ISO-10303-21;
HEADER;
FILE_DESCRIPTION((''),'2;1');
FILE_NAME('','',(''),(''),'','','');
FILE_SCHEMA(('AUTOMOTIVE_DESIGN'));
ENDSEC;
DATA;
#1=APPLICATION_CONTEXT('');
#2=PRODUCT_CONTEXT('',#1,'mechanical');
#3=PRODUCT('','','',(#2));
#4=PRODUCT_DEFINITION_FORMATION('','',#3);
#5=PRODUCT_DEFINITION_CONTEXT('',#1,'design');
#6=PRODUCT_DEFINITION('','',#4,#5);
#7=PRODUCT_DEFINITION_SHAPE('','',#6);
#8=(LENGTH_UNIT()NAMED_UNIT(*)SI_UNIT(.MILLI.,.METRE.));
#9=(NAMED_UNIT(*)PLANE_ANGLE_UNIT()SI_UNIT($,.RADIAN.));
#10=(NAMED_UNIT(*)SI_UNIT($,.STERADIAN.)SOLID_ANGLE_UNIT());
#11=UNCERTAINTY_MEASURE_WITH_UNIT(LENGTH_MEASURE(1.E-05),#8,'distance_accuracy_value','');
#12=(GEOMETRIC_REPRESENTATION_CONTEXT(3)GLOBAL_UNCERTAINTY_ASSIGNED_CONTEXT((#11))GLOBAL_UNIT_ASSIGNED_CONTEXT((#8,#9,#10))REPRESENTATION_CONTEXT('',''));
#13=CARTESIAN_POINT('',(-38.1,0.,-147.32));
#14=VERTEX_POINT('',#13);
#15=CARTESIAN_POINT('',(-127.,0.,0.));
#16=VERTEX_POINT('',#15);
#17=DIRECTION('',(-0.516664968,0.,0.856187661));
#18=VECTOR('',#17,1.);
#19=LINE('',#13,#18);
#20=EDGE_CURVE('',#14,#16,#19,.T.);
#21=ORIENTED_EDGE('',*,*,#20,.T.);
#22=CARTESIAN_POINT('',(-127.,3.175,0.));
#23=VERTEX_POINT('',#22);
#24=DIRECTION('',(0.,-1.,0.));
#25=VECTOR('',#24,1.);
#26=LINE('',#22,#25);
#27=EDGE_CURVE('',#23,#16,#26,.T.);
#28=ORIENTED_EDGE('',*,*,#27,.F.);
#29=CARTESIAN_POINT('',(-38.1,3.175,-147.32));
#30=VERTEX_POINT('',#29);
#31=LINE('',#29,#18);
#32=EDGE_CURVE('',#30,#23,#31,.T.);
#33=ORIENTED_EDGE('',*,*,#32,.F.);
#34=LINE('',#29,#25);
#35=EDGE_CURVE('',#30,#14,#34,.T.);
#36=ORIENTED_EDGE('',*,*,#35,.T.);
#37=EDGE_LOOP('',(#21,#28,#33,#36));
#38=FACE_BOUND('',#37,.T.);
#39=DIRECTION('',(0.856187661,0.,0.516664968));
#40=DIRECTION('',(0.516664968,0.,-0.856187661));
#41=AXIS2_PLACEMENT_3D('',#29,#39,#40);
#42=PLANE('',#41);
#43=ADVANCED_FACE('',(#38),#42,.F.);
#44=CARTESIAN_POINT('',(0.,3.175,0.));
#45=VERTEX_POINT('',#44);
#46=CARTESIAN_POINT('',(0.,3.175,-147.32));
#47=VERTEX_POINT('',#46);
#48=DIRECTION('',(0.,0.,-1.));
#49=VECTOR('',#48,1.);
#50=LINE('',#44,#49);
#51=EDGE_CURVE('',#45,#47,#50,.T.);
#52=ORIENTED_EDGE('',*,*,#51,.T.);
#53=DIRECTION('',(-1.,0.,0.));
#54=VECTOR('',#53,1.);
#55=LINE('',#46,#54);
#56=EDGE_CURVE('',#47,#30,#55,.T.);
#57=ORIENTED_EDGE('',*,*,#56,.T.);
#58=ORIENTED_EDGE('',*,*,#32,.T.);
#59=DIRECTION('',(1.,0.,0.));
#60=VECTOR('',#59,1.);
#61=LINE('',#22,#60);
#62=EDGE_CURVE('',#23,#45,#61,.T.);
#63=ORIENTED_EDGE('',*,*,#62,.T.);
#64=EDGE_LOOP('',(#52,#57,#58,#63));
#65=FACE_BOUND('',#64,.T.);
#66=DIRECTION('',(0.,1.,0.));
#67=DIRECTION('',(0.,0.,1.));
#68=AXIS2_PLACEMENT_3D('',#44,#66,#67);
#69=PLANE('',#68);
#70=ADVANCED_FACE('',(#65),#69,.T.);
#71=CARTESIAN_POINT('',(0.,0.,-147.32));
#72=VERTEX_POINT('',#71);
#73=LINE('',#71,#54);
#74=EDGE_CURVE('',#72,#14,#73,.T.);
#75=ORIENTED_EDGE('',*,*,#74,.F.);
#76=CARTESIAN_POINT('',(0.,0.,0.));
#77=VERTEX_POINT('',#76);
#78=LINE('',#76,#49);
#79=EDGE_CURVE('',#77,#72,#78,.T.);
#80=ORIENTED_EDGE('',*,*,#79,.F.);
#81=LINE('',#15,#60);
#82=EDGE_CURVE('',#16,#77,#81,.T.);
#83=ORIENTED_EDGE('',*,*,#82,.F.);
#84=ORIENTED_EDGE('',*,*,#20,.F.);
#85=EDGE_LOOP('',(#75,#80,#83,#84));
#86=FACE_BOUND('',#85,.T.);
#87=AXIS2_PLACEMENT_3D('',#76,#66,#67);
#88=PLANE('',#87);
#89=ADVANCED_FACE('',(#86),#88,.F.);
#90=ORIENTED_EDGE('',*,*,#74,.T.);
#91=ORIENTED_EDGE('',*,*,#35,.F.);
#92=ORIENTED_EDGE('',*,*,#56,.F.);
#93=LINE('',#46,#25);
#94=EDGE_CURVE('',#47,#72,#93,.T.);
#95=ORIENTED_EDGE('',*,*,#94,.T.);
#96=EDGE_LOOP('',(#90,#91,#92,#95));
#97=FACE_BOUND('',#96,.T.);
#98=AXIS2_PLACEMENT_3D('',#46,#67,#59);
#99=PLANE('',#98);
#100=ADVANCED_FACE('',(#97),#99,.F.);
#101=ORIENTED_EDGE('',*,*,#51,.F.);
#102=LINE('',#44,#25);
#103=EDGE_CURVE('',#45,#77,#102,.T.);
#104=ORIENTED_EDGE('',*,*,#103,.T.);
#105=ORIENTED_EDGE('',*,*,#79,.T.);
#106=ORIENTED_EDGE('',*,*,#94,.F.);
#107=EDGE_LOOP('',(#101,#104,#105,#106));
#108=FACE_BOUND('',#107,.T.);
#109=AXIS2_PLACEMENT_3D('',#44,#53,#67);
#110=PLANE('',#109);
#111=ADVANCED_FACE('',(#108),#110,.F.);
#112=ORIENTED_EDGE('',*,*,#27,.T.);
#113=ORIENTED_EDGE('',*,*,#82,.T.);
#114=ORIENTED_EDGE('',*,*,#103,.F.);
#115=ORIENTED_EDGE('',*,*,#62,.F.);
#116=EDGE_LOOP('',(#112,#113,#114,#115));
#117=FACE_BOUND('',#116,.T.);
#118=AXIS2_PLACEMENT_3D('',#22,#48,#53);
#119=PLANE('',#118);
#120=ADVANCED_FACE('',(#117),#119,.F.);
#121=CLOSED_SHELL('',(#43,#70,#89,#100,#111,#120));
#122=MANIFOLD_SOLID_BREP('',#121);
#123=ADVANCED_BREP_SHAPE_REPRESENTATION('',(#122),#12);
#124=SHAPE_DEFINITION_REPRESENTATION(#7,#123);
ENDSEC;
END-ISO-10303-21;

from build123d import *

# Parameters (mm, degrees)
BOSS_EXTRUDE1_DEPTH = 3.175


with BuildPart() as part:
    # Sketch1 → Boss-Extrude1 (new body)
    with BuildSketch(Plane(origin=(0, 0, 0), x_dir=(1, 0, 0), z_dir=(0, 1, 0))):
        Polygon((0, 0), (0, 147.32), (-38.1, 147.32), (-127, 0), align=None)
    extrude(amount=BOSS_EXTRUDE1_DEPTH)


solid = part.part
